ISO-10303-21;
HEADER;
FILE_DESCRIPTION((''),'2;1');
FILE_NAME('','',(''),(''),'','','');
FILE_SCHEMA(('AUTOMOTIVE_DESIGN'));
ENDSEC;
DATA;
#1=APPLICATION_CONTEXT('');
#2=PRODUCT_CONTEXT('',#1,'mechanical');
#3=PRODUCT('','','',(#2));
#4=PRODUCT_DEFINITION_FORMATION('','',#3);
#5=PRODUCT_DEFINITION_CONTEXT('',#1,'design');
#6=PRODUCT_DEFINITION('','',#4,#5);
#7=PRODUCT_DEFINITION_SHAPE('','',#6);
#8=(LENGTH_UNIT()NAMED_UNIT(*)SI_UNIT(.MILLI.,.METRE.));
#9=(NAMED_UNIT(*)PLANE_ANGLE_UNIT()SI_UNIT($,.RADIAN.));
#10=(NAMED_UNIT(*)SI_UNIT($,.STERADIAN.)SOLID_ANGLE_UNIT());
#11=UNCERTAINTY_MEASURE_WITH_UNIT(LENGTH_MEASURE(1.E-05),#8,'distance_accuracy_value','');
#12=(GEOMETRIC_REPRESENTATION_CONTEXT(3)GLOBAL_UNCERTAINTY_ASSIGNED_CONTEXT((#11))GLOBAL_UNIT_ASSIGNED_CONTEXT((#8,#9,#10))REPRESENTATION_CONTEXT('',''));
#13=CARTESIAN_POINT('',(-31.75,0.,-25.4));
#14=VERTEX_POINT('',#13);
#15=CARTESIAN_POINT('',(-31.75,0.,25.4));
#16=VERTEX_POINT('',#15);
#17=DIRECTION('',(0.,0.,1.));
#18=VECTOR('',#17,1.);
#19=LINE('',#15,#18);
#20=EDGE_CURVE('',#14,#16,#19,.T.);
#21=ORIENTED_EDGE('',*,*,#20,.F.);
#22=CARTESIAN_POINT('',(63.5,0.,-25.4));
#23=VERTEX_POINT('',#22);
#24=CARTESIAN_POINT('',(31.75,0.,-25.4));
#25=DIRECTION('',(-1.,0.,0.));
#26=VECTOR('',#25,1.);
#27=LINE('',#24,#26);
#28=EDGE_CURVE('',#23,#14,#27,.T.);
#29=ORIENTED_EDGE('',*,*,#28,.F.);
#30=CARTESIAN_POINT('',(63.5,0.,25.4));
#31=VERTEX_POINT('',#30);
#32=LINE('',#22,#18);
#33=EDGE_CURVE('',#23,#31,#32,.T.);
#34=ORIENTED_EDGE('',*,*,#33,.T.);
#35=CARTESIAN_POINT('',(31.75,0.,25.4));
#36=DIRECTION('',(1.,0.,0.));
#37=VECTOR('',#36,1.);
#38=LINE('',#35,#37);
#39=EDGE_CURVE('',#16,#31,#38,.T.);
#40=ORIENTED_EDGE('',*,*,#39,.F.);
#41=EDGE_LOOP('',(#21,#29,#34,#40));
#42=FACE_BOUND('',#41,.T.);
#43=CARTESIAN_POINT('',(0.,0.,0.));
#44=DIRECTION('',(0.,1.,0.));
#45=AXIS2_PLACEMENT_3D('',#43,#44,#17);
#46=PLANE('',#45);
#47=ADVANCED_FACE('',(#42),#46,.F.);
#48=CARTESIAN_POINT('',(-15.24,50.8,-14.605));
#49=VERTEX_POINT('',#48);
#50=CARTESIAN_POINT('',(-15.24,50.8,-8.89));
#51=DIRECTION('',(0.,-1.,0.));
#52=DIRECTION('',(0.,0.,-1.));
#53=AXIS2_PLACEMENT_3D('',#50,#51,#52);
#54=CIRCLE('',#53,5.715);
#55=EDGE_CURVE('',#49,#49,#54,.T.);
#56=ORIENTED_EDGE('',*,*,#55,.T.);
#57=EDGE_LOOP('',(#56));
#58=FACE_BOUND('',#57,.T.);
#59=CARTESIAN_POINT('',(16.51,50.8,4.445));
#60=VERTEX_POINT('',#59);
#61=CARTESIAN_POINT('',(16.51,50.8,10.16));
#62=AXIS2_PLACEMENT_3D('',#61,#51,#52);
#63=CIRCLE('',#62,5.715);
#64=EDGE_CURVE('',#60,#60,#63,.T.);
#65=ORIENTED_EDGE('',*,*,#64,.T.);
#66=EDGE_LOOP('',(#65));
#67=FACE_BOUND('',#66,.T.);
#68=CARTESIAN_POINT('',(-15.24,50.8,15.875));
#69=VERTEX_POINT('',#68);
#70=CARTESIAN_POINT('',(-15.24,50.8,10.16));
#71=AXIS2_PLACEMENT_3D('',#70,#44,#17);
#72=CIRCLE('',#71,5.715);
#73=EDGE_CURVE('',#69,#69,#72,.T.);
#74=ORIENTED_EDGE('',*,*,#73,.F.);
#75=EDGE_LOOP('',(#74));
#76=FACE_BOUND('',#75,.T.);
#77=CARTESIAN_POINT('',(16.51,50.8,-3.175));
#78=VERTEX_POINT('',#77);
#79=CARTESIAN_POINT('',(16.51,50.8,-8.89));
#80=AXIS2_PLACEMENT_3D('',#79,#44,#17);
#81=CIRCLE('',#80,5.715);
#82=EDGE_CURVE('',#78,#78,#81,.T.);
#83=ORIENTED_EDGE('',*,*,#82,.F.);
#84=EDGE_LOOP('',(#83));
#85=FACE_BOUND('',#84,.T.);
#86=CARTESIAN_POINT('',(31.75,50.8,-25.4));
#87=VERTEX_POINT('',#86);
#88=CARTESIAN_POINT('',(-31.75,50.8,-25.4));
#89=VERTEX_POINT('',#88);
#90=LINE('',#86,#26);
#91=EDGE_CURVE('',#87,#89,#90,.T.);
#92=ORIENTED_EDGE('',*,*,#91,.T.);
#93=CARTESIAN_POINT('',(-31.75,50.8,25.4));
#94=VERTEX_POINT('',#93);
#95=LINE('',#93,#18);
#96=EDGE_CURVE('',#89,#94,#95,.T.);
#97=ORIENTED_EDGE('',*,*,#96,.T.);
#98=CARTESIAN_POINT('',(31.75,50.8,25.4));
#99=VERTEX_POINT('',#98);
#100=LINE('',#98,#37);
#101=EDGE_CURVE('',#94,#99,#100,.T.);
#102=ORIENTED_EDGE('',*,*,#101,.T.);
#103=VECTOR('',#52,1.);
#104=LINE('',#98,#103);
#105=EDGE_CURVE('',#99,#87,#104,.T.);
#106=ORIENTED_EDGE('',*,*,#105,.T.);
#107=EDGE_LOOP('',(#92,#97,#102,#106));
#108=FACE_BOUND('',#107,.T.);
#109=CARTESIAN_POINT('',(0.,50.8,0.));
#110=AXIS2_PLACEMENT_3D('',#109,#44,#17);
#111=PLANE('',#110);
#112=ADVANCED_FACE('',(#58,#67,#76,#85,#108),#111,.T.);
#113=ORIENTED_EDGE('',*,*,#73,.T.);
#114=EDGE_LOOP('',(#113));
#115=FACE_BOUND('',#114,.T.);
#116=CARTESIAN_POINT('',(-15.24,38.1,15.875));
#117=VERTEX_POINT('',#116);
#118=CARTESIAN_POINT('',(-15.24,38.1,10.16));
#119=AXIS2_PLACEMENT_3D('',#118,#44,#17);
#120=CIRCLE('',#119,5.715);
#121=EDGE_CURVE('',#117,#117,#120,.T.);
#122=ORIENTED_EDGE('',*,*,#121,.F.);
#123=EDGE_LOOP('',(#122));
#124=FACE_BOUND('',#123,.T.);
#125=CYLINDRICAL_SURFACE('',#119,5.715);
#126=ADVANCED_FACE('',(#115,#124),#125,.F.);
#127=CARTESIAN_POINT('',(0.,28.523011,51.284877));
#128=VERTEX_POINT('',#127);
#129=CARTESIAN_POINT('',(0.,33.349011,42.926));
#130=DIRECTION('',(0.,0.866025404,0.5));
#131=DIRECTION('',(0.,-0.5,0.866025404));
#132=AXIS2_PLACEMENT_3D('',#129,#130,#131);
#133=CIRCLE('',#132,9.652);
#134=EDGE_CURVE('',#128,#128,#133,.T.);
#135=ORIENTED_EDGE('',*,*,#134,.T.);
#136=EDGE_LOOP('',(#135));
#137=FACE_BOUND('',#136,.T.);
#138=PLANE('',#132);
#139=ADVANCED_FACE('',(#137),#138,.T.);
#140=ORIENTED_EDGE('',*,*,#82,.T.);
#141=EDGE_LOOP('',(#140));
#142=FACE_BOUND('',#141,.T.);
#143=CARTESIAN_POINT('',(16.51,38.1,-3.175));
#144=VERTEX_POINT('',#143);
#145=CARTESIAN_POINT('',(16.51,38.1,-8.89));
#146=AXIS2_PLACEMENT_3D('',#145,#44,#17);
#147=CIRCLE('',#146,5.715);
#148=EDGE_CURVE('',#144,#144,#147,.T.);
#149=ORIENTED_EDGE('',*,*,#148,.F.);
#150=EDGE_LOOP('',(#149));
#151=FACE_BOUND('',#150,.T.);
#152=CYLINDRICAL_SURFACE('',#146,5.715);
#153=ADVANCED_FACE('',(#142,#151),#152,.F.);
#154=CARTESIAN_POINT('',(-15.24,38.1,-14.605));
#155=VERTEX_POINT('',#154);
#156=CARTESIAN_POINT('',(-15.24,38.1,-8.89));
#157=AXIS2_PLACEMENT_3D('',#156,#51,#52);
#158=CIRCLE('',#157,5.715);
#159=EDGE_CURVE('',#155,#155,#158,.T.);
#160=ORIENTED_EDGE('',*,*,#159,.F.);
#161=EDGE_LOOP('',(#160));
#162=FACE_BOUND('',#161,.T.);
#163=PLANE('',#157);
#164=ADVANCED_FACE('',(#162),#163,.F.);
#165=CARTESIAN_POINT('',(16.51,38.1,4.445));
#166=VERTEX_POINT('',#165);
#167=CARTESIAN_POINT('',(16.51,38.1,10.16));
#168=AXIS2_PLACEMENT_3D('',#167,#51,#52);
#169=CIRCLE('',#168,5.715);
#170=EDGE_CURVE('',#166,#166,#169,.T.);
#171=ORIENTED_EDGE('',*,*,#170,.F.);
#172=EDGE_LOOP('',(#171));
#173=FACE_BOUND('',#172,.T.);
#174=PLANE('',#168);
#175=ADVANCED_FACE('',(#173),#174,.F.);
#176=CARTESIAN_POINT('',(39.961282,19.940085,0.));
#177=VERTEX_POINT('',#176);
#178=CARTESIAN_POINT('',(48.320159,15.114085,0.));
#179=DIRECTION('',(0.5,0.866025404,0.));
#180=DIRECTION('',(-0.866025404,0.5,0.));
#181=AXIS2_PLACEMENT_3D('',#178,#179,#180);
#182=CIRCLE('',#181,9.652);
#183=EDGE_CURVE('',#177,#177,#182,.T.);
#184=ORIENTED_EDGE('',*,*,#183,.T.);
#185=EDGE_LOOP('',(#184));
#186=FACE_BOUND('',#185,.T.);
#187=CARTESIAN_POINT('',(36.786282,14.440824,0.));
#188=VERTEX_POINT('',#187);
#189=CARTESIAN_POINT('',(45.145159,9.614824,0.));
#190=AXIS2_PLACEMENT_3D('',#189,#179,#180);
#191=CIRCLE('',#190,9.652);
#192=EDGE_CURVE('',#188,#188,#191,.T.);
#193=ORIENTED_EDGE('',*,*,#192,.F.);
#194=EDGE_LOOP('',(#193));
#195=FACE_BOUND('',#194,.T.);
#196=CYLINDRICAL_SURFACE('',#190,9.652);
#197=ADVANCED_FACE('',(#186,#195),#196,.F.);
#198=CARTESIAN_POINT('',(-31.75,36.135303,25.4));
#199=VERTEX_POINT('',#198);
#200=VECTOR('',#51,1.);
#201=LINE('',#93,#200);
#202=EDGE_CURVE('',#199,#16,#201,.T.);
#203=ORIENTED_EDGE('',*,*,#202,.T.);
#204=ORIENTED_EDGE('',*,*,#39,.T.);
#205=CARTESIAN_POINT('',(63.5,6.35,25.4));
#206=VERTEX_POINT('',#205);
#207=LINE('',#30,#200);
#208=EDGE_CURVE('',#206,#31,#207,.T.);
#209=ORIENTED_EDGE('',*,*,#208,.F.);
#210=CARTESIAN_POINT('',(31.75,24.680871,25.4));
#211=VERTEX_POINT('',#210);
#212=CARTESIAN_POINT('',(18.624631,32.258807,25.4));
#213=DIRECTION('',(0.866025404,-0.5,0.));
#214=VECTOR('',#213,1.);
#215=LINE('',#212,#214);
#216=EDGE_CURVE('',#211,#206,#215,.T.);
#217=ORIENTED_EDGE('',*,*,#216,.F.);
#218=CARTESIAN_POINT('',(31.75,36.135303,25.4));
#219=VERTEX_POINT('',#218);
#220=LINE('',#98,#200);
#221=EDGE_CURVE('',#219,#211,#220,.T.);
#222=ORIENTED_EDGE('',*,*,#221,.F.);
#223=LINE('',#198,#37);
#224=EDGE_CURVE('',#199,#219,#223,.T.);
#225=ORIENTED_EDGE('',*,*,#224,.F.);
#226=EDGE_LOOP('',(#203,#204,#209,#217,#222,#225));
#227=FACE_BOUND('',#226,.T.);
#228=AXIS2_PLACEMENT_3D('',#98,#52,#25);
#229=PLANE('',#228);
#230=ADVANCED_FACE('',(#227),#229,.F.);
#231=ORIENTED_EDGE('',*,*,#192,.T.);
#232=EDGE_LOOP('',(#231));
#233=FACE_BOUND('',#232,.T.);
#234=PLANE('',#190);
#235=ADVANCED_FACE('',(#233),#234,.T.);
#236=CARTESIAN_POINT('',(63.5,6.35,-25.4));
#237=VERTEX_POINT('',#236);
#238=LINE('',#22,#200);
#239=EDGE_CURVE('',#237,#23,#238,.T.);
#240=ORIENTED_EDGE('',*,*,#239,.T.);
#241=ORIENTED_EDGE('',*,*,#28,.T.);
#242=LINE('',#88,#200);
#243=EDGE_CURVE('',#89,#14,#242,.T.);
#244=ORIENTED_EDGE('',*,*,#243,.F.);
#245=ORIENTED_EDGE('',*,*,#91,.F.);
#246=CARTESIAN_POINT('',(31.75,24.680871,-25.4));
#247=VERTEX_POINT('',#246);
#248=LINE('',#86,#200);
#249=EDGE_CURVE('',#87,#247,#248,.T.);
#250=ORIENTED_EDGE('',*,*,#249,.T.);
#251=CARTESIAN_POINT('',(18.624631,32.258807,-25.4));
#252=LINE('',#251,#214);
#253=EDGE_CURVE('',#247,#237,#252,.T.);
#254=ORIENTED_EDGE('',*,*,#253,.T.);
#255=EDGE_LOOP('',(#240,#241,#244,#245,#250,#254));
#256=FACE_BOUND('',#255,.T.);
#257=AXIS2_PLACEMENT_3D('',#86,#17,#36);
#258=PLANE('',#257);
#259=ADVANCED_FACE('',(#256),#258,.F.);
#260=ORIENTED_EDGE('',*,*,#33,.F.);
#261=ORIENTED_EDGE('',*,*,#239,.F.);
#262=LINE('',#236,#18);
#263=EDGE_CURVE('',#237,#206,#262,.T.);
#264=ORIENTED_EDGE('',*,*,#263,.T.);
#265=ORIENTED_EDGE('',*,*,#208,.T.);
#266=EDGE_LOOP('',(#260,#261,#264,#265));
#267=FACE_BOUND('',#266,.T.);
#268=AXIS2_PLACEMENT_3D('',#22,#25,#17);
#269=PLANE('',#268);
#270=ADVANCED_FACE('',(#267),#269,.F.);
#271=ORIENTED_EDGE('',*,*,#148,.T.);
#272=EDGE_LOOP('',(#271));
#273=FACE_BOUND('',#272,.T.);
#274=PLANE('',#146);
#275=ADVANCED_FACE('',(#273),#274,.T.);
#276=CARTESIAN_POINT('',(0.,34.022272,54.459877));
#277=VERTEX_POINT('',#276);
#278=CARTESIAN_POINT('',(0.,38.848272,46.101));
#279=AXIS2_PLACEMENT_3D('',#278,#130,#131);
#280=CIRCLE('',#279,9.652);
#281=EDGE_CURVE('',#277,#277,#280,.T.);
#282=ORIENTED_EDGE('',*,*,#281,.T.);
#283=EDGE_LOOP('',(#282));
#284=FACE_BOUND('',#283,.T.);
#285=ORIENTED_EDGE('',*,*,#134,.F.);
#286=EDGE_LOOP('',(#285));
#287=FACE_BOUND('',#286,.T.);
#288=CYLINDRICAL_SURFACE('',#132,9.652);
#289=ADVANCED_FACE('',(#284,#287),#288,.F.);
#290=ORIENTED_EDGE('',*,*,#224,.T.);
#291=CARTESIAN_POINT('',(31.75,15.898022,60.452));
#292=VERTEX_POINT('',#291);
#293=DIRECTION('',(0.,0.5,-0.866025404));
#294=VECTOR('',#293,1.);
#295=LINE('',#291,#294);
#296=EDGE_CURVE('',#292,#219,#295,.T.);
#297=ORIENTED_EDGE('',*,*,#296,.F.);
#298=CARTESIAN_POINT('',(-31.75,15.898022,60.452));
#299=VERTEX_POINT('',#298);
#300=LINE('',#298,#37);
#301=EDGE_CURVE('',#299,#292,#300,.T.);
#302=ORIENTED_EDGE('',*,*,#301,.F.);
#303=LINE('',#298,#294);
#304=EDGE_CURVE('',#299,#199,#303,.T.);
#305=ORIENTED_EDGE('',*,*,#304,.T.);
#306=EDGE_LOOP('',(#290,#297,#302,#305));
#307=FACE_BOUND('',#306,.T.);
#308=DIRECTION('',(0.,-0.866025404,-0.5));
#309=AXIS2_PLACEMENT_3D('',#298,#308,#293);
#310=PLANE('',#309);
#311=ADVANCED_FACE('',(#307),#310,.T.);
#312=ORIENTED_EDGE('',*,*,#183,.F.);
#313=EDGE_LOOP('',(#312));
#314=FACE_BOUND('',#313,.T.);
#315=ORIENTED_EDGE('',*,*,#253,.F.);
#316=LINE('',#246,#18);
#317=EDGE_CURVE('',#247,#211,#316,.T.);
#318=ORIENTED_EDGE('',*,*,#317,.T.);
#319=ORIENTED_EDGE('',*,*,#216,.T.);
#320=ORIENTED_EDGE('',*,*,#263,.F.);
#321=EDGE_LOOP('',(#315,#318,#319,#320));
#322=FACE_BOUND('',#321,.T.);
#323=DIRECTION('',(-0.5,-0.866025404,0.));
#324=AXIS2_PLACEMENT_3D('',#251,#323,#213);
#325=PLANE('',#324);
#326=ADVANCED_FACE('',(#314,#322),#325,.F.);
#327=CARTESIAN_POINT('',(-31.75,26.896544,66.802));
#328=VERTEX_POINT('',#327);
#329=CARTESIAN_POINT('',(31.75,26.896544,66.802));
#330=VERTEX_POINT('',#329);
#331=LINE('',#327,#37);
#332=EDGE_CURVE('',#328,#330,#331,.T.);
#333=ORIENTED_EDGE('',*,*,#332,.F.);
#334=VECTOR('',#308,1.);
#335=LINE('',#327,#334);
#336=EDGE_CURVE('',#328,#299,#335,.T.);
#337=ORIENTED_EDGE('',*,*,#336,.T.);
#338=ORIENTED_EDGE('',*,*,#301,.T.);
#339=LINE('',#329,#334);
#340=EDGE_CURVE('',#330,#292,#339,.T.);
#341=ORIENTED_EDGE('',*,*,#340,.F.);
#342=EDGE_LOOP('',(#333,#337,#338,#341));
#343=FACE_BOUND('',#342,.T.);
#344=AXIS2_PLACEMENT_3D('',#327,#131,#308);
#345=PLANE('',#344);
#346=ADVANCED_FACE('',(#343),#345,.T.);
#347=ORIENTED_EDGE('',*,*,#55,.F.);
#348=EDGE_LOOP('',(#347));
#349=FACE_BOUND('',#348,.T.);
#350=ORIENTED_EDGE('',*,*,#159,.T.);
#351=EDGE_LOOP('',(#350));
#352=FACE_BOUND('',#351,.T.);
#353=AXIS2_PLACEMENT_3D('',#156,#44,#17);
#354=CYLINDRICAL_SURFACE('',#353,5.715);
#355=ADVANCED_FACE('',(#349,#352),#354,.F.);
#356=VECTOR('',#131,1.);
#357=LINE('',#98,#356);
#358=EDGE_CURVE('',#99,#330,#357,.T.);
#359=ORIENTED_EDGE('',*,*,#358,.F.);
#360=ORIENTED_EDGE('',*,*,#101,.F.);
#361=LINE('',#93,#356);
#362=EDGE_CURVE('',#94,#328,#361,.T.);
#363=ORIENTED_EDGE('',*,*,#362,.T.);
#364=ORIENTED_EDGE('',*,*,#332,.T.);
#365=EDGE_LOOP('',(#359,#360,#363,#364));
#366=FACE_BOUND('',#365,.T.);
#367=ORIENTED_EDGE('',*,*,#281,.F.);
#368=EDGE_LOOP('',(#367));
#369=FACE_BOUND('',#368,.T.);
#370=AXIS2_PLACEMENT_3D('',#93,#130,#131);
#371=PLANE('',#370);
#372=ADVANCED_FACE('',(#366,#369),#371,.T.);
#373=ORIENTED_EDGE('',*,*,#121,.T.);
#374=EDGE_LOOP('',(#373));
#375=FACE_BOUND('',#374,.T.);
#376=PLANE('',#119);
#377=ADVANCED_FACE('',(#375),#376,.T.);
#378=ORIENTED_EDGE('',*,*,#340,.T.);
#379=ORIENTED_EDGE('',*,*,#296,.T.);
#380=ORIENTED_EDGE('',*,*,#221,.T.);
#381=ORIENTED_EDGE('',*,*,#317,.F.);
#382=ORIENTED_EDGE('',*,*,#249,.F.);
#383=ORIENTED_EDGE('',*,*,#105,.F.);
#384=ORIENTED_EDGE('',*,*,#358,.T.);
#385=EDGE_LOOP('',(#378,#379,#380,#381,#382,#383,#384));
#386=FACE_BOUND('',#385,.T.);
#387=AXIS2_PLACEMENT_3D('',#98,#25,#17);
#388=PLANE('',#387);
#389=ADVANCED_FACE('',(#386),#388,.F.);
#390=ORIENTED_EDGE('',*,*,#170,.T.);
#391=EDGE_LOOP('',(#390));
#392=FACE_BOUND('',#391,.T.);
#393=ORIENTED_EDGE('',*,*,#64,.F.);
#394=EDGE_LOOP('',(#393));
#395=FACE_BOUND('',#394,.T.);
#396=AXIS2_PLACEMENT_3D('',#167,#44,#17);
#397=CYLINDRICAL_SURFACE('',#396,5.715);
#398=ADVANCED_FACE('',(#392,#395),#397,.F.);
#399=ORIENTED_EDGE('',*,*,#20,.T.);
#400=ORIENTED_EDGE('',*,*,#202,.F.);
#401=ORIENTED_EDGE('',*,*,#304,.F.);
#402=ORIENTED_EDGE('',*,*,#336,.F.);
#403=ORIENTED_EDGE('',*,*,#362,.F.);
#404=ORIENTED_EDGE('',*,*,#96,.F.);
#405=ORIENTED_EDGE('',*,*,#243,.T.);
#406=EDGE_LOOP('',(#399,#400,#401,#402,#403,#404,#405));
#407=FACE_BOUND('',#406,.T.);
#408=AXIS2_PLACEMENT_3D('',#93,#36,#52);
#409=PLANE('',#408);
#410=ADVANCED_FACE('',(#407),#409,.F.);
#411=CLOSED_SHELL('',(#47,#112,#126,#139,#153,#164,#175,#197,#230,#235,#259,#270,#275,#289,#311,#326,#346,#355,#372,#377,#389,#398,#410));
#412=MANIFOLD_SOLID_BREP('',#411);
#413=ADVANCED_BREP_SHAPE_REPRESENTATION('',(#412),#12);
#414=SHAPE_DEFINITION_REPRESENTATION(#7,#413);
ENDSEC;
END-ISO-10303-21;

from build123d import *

# Parameters (mm, degrees)
SKETCH1_W           = 63.5
SKETCH1_H           = 50.8
BOSS_EXTRUDE1_DEPTH = 50.8
BOSS_EXTRUDE2_DEPTH = 50.8
SKETCH3_R           = 9.652
CUT_EXTRUDE2_DEPTH  = 6.35
BOSS_EXTRUDE3_DEPTH = 63.5
SKETCH6_R           = 9.652
CUT_EXTRUDE4_DEPTH  = 6.35
SKETCH7_R           = 5.715
CUT_EXTRUDE6_DEPTH  = 12.7


with BuildPart() as part:
    # Sketch1 → Boss-Extrude1 (new body)
    with BuildSketch(Plane(origin=(0, 0, 0), x_dir=(1, 0, 0), z_dir=(0, 1, 0))):
        Rectangle(SKETCH1_W, SKETCH1_H)
    extrude(amount=BOSS_EXTRUDE1_DEPTH)

    # Sketch2 → Boss-Extrude2 (add)
    with BuildSketch(Plane.XY.offset(25.4)):
        Polygon((63.5, 6.35), (31.75, 24.680871047), (31.75, 0), (63.5, 0), align=None)
    extrude(amount=-BOSS_EXTRUDE2_DEPTH)

    # Sketch3 → Cut-Extrude2 (cut)
    with BuildSketch(Plane(origin=(18.624630657, 32.25880657, 0), x_dir=(0.866025404, -0.5, 0), z_dir=(0.5, 0.866025404, 0))):
        with Locations((34.289443039, 0)):
            Circle(SKETCH3_R)
    extrude(amount=-CUT_EXTRUDE2_DEPTH, mode=Mode.SUBTRACT)

    # Sketch5 → Boss-Extrude3 (add, through all)
    with BuildSketch(Plane(origin=(31.75, 0, 0), x_dir=(0, 0, -1), z_dir=(1, 0, 0))):
        Polygon((-25.4, 50.8), (-66.802, 26.896544155), (-60.452, 15.898021527), (-25.4, 36.135303163), align=None)
    extrude(amount=-BOSS_EXTRUDE3_DEPTH)

    # Sketch6 → Cut-Extrude4 (cut)
    with BuildSketch(Plane(origin=(0, 49.098522628, 28.347045256), x_dir=(1, 0, 0), z_dir=(0, 0.866025404, 0.5))):
        with Locations((0, -20.500501101)):
            Circle(SKETCH6_R)
    extrude(amount=-CUT_EXTRUDE4_DEPTH, mode=Mode.SUBTRACT)

    # Sketch7 → Cut-Extrude6 (cut)
    with BuildSketch(Plane(origin=(0, 50.8, 0), x_dir=(1, 0, 0), z_dir=(0, 1, 0))):
        with Locations((-15.24, -10.16)):
            Circle(SKETCH7_R)
        with Locations((-15.24, 8.89)):
            Circle(SKETCH7_R)
        with Locations((16.51, -10.16)):
            Circle(SKETCH7_R)
        with Locations((16.51, 8.89)):
            Circle(SKETCH7_R)
    extrude(amount=-CUT_EXTRUDE6_DEPTH, mode=Mode.SUBTRACT)


solid = part.part
